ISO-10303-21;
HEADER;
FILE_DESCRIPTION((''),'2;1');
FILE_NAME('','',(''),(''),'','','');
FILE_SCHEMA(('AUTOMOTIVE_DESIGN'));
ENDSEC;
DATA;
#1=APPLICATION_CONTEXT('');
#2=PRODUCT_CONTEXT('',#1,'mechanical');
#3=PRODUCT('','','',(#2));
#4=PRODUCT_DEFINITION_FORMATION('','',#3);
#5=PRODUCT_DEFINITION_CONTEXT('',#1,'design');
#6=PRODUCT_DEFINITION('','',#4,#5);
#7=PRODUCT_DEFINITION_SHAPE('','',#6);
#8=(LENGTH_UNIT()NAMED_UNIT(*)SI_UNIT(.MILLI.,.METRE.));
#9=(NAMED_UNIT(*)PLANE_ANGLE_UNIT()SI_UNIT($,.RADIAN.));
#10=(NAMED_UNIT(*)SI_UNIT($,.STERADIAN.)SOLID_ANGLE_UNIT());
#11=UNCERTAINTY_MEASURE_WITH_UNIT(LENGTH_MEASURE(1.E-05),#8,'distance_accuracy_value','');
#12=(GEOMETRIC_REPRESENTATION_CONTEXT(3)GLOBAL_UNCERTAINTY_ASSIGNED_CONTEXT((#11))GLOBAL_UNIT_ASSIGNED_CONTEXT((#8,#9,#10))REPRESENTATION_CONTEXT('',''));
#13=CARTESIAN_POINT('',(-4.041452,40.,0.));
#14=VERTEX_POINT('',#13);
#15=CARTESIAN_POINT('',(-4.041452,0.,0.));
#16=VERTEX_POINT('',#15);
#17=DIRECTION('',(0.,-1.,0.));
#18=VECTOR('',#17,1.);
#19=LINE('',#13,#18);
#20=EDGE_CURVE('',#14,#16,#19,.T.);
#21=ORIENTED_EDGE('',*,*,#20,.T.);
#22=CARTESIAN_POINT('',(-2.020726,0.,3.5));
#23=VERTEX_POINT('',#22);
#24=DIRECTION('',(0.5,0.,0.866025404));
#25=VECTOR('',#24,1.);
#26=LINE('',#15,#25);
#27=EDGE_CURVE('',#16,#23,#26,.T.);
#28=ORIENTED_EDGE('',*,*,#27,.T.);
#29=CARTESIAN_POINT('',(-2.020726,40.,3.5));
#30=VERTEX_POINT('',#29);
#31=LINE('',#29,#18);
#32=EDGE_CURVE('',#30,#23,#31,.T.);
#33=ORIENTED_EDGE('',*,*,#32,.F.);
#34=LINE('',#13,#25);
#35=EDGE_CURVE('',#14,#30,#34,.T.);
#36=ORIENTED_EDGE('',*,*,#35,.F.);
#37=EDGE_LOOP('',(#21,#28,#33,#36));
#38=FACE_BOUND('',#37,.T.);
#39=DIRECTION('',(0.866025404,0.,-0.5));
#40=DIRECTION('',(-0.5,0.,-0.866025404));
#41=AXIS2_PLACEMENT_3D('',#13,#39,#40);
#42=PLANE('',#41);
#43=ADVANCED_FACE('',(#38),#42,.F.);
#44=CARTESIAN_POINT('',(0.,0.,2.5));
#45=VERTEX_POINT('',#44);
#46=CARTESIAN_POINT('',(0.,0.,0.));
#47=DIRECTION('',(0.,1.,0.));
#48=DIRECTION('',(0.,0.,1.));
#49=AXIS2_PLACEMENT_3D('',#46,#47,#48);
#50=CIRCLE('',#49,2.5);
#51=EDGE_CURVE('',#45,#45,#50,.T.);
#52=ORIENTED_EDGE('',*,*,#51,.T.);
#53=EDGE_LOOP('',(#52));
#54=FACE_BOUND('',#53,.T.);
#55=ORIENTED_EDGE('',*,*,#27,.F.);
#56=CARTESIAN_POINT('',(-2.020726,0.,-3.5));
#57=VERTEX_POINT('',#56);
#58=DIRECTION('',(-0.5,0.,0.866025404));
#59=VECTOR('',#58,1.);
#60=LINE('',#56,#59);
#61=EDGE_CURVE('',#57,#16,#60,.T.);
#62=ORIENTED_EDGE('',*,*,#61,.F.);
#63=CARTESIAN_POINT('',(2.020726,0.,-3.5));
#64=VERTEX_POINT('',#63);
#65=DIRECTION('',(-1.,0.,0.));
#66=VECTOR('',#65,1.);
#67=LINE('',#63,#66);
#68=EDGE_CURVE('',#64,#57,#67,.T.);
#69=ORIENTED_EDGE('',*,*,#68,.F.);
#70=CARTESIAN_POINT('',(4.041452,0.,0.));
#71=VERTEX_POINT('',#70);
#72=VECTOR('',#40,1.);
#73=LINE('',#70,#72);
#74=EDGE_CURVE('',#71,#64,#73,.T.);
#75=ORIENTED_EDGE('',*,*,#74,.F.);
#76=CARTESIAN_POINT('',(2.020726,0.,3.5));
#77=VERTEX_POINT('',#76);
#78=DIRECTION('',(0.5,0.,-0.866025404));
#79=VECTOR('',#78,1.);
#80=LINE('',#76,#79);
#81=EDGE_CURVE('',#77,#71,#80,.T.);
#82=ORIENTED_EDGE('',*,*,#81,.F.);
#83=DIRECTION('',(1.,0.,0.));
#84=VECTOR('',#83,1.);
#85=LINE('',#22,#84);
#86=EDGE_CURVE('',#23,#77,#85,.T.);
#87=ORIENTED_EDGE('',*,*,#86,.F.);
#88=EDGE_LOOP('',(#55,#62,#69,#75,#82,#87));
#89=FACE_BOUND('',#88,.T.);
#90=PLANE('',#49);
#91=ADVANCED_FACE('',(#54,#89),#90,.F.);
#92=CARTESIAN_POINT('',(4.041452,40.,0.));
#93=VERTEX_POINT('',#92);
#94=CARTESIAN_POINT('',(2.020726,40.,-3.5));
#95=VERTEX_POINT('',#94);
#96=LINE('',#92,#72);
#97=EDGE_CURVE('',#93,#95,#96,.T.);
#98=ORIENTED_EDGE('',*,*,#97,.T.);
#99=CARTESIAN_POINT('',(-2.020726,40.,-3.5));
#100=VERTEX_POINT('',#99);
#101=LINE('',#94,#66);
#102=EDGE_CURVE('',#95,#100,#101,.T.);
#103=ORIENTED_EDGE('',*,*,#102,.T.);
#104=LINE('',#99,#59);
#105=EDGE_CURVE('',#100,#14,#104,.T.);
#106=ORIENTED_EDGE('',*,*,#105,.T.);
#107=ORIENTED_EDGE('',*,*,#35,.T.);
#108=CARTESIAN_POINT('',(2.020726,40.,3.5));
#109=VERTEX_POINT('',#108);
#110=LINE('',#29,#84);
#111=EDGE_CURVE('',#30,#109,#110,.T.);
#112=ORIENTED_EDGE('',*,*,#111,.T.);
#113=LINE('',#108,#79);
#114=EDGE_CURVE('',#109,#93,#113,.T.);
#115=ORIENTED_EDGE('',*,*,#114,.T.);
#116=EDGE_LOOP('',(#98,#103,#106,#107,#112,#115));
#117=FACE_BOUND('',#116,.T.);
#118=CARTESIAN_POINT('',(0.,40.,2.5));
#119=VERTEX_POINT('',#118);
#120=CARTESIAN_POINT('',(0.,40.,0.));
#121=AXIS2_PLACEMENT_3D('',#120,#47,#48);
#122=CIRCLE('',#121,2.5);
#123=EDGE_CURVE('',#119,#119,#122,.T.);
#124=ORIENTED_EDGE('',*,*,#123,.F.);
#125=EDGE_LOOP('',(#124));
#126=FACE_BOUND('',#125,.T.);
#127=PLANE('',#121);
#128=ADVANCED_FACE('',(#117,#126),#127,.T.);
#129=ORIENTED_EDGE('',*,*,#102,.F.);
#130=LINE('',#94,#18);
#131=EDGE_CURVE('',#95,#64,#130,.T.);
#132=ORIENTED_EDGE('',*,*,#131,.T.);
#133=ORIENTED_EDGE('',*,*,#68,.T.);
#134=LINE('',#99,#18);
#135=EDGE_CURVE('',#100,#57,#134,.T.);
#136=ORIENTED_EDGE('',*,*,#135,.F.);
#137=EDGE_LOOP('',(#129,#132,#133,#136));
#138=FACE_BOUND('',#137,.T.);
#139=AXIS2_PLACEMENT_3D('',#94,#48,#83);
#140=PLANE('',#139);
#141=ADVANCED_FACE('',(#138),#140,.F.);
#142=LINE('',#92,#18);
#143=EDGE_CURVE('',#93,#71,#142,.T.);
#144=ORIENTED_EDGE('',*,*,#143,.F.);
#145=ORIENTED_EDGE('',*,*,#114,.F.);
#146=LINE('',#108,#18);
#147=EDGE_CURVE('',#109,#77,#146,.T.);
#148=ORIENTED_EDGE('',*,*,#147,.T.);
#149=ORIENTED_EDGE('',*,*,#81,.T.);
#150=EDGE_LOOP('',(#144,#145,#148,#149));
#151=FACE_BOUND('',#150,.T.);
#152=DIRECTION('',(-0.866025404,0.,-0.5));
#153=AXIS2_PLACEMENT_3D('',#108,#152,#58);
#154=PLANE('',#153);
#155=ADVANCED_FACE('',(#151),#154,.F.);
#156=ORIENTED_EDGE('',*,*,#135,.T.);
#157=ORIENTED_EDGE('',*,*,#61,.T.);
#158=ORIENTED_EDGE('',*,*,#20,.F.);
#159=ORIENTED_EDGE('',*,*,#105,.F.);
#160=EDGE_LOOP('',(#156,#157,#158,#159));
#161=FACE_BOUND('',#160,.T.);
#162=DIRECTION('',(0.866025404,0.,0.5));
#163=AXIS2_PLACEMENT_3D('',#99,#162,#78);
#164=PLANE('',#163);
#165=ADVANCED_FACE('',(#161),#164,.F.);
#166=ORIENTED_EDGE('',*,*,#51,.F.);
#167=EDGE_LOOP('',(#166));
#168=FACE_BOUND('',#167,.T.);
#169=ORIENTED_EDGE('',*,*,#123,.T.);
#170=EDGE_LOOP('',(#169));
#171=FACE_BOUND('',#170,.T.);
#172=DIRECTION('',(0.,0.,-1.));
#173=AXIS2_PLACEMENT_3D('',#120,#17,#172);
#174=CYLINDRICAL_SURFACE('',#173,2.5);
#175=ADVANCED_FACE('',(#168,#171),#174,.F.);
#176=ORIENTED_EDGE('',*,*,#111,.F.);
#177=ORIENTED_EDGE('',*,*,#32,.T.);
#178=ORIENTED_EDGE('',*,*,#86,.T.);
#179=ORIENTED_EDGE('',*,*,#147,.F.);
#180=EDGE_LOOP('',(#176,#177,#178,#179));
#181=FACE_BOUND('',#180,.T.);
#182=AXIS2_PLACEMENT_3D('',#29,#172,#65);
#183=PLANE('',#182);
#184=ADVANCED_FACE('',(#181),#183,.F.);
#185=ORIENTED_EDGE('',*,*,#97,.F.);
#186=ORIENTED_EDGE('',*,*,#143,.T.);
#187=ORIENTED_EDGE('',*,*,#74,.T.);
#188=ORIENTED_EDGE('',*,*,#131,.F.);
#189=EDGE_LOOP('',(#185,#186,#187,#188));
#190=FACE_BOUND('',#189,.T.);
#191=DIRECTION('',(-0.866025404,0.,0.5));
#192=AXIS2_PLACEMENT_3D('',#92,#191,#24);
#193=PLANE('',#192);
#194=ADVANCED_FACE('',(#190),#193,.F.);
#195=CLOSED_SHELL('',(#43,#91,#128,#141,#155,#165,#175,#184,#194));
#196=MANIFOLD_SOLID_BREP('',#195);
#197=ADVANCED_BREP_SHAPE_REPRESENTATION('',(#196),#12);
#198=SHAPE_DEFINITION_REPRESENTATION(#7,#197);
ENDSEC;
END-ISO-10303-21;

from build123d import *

# Parameters (mm, degrees)
SKETCH_1_R      = 2.5
EXTRUDE_1_DEPTH = 40


with BuildPart() as part:
    # 草图1 → 凸台-拉伸1 (new body)
    with BuildSketch(Plane(origin=(0, 0, 0), x_dir=(1, 0, 0), z_dir=(0, 1, 0))):
        Polygon((2.020725942, 3.5), (-2.020725942, 3.5), (-4.041451884, 0), (-2.020725942, -3.5), (2.020725942, -3.5), (4.041451884, 0), align=None)
        with Locations(Location((0, 0, 0), (0, 0, 270))):
            Circle(SKETCH_1_R, mode=Mode.SUBTRACT)
    extrude(amount=EXTRUDE_1_DEPTH)


solid = part.part
